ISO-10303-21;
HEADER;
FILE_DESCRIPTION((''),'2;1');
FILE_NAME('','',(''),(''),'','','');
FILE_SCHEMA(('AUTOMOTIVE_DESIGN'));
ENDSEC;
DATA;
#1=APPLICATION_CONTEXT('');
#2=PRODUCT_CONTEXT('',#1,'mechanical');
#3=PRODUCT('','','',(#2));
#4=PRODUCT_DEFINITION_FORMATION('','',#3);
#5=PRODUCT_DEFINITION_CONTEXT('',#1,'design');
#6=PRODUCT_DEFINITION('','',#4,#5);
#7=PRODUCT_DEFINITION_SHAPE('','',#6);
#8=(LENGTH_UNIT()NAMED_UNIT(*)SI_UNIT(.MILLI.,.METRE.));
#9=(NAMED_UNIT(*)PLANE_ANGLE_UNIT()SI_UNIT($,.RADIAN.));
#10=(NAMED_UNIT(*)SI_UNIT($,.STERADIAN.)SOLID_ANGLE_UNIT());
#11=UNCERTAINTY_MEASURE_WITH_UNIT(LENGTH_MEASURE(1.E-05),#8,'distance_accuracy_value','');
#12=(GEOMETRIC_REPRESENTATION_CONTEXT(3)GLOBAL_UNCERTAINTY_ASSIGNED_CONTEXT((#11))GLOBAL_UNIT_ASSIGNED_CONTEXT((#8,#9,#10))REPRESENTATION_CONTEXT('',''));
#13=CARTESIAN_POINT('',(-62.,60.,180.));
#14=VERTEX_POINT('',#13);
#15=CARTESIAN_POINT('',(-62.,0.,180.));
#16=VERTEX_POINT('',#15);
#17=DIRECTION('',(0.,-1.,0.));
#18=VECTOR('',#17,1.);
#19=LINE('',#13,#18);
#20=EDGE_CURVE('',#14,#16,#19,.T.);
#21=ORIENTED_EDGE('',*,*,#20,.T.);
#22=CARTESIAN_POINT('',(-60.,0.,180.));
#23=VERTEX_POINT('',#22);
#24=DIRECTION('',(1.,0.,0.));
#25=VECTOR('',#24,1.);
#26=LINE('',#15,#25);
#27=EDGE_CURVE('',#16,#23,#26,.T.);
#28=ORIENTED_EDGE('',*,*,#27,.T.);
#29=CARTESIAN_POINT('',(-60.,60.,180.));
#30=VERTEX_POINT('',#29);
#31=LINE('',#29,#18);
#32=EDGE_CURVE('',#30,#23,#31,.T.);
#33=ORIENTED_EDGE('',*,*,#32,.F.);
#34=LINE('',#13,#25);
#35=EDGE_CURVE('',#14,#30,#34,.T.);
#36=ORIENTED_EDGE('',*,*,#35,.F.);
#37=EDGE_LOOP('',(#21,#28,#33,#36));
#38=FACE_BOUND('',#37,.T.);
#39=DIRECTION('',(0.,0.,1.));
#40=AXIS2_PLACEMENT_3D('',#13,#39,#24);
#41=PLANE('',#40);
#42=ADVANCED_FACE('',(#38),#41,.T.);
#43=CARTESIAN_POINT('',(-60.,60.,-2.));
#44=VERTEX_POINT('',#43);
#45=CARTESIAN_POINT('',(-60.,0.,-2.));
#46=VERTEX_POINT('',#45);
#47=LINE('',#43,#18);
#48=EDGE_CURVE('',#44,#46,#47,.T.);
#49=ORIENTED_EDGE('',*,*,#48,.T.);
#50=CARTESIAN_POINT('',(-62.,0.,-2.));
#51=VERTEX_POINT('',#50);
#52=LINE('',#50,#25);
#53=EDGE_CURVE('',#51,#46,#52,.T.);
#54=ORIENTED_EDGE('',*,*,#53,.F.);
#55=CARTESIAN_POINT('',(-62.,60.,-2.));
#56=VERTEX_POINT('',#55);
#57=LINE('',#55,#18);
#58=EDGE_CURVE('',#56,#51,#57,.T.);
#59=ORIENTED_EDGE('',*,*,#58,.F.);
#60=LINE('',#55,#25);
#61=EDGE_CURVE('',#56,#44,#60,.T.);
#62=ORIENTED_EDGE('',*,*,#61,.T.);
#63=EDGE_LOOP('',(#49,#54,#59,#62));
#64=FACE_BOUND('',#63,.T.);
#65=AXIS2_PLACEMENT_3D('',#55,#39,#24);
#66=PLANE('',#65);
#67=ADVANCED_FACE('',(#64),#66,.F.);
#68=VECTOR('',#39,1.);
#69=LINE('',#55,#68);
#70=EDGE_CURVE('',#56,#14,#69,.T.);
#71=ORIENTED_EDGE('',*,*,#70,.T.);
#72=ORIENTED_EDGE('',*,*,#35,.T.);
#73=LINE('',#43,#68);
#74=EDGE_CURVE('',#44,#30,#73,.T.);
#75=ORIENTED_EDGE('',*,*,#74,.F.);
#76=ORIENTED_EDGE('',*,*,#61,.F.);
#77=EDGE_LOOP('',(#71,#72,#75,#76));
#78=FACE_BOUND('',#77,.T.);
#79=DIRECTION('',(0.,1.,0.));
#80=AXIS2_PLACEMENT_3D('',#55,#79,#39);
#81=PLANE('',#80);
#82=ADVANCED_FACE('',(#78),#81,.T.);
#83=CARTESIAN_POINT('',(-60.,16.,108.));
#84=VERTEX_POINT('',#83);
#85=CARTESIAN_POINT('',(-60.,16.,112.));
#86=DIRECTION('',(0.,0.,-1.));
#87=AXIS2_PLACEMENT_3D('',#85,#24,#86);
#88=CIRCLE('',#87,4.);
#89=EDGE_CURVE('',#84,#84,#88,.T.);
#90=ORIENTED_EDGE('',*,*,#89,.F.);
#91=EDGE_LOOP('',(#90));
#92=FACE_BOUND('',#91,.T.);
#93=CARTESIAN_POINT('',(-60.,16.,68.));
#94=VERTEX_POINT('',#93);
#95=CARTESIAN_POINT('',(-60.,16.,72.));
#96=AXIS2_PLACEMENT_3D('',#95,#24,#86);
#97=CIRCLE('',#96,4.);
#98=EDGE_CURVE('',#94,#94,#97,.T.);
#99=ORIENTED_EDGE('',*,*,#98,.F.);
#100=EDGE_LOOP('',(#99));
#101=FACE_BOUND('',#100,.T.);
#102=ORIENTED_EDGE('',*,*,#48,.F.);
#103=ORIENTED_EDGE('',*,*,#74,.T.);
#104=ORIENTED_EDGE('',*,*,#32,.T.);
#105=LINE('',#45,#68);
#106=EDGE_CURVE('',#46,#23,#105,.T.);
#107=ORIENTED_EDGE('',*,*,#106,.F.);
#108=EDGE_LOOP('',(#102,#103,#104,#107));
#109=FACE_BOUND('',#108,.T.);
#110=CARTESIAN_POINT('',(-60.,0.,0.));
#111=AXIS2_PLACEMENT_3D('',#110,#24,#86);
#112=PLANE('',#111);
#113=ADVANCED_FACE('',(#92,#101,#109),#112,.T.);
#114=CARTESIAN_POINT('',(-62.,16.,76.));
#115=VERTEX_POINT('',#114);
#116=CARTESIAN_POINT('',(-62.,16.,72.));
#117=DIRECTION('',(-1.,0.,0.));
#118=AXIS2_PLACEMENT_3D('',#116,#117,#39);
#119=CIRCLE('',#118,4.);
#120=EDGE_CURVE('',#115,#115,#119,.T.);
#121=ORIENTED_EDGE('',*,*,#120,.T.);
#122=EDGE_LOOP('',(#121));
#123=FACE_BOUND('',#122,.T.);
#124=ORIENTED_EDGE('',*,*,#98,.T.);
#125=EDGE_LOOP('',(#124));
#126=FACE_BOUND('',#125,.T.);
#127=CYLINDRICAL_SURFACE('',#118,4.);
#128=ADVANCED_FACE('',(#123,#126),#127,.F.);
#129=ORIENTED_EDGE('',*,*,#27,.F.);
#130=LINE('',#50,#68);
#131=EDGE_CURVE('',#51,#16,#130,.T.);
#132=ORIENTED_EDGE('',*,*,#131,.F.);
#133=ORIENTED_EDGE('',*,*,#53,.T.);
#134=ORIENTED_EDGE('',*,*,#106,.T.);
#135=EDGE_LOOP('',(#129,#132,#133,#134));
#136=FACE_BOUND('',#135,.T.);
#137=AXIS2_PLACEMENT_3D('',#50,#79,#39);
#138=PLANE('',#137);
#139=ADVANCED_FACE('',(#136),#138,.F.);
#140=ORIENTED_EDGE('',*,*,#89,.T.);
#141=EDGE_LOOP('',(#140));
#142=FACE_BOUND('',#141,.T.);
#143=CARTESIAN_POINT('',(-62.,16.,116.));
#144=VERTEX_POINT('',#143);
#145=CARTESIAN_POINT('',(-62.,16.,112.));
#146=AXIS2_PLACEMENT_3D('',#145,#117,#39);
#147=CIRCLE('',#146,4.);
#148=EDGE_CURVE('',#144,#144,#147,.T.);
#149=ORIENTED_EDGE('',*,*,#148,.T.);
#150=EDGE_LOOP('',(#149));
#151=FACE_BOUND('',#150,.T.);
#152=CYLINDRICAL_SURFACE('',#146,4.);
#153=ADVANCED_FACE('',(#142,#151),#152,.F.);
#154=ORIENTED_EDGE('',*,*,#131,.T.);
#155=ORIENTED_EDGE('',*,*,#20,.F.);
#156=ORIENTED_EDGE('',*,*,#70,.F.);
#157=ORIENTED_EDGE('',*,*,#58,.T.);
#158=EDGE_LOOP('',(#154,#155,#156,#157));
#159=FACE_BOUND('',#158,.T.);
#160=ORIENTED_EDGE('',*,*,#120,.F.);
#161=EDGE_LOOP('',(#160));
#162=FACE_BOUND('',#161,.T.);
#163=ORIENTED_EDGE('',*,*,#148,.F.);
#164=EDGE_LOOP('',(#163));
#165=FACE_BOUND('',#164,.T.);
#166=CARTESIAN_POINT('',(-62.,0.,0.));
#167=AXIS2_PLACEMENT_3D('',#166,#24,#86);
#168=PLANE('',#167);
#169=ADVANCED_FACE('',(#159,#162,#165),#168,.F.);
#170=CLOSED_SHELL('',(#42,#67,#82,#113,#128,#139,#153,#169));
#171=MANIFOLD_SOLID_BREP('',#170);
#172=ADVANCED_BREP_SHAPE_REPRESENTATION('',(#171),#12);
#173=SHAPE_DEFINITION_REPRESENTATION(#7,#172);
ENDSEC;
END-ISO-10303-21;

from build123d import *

# Parameters (mm, degrees)
SKETCH2_W             = 182
SKETCH2_H             = 60
BOSS_EXTRUDE1_DEPTH   = 2
F_8_0MM_DOWEL_HOLE2_D = 8


with BuildPart() as part:
    # Sketch2 → Boss-Extrude1 (new body)
    with BuildSketch(Plane.ZY.offset(60)):
        with Locations((89, 30)):
            Rectangle(SKETCH2_W, SKETCH2_H)
    extrude(amount=BOSS_EXTRUDE1_DEPTH)

    # Ø8.0mm Dowel Hole2 (through all)
    with Locations(Plane.ZY.offset(62)):
        with Locations((112, 16), (72, 16)):
            Hole(F_8_0MM_DOWEL_HOLE2_D / 2)


solid = part.part
